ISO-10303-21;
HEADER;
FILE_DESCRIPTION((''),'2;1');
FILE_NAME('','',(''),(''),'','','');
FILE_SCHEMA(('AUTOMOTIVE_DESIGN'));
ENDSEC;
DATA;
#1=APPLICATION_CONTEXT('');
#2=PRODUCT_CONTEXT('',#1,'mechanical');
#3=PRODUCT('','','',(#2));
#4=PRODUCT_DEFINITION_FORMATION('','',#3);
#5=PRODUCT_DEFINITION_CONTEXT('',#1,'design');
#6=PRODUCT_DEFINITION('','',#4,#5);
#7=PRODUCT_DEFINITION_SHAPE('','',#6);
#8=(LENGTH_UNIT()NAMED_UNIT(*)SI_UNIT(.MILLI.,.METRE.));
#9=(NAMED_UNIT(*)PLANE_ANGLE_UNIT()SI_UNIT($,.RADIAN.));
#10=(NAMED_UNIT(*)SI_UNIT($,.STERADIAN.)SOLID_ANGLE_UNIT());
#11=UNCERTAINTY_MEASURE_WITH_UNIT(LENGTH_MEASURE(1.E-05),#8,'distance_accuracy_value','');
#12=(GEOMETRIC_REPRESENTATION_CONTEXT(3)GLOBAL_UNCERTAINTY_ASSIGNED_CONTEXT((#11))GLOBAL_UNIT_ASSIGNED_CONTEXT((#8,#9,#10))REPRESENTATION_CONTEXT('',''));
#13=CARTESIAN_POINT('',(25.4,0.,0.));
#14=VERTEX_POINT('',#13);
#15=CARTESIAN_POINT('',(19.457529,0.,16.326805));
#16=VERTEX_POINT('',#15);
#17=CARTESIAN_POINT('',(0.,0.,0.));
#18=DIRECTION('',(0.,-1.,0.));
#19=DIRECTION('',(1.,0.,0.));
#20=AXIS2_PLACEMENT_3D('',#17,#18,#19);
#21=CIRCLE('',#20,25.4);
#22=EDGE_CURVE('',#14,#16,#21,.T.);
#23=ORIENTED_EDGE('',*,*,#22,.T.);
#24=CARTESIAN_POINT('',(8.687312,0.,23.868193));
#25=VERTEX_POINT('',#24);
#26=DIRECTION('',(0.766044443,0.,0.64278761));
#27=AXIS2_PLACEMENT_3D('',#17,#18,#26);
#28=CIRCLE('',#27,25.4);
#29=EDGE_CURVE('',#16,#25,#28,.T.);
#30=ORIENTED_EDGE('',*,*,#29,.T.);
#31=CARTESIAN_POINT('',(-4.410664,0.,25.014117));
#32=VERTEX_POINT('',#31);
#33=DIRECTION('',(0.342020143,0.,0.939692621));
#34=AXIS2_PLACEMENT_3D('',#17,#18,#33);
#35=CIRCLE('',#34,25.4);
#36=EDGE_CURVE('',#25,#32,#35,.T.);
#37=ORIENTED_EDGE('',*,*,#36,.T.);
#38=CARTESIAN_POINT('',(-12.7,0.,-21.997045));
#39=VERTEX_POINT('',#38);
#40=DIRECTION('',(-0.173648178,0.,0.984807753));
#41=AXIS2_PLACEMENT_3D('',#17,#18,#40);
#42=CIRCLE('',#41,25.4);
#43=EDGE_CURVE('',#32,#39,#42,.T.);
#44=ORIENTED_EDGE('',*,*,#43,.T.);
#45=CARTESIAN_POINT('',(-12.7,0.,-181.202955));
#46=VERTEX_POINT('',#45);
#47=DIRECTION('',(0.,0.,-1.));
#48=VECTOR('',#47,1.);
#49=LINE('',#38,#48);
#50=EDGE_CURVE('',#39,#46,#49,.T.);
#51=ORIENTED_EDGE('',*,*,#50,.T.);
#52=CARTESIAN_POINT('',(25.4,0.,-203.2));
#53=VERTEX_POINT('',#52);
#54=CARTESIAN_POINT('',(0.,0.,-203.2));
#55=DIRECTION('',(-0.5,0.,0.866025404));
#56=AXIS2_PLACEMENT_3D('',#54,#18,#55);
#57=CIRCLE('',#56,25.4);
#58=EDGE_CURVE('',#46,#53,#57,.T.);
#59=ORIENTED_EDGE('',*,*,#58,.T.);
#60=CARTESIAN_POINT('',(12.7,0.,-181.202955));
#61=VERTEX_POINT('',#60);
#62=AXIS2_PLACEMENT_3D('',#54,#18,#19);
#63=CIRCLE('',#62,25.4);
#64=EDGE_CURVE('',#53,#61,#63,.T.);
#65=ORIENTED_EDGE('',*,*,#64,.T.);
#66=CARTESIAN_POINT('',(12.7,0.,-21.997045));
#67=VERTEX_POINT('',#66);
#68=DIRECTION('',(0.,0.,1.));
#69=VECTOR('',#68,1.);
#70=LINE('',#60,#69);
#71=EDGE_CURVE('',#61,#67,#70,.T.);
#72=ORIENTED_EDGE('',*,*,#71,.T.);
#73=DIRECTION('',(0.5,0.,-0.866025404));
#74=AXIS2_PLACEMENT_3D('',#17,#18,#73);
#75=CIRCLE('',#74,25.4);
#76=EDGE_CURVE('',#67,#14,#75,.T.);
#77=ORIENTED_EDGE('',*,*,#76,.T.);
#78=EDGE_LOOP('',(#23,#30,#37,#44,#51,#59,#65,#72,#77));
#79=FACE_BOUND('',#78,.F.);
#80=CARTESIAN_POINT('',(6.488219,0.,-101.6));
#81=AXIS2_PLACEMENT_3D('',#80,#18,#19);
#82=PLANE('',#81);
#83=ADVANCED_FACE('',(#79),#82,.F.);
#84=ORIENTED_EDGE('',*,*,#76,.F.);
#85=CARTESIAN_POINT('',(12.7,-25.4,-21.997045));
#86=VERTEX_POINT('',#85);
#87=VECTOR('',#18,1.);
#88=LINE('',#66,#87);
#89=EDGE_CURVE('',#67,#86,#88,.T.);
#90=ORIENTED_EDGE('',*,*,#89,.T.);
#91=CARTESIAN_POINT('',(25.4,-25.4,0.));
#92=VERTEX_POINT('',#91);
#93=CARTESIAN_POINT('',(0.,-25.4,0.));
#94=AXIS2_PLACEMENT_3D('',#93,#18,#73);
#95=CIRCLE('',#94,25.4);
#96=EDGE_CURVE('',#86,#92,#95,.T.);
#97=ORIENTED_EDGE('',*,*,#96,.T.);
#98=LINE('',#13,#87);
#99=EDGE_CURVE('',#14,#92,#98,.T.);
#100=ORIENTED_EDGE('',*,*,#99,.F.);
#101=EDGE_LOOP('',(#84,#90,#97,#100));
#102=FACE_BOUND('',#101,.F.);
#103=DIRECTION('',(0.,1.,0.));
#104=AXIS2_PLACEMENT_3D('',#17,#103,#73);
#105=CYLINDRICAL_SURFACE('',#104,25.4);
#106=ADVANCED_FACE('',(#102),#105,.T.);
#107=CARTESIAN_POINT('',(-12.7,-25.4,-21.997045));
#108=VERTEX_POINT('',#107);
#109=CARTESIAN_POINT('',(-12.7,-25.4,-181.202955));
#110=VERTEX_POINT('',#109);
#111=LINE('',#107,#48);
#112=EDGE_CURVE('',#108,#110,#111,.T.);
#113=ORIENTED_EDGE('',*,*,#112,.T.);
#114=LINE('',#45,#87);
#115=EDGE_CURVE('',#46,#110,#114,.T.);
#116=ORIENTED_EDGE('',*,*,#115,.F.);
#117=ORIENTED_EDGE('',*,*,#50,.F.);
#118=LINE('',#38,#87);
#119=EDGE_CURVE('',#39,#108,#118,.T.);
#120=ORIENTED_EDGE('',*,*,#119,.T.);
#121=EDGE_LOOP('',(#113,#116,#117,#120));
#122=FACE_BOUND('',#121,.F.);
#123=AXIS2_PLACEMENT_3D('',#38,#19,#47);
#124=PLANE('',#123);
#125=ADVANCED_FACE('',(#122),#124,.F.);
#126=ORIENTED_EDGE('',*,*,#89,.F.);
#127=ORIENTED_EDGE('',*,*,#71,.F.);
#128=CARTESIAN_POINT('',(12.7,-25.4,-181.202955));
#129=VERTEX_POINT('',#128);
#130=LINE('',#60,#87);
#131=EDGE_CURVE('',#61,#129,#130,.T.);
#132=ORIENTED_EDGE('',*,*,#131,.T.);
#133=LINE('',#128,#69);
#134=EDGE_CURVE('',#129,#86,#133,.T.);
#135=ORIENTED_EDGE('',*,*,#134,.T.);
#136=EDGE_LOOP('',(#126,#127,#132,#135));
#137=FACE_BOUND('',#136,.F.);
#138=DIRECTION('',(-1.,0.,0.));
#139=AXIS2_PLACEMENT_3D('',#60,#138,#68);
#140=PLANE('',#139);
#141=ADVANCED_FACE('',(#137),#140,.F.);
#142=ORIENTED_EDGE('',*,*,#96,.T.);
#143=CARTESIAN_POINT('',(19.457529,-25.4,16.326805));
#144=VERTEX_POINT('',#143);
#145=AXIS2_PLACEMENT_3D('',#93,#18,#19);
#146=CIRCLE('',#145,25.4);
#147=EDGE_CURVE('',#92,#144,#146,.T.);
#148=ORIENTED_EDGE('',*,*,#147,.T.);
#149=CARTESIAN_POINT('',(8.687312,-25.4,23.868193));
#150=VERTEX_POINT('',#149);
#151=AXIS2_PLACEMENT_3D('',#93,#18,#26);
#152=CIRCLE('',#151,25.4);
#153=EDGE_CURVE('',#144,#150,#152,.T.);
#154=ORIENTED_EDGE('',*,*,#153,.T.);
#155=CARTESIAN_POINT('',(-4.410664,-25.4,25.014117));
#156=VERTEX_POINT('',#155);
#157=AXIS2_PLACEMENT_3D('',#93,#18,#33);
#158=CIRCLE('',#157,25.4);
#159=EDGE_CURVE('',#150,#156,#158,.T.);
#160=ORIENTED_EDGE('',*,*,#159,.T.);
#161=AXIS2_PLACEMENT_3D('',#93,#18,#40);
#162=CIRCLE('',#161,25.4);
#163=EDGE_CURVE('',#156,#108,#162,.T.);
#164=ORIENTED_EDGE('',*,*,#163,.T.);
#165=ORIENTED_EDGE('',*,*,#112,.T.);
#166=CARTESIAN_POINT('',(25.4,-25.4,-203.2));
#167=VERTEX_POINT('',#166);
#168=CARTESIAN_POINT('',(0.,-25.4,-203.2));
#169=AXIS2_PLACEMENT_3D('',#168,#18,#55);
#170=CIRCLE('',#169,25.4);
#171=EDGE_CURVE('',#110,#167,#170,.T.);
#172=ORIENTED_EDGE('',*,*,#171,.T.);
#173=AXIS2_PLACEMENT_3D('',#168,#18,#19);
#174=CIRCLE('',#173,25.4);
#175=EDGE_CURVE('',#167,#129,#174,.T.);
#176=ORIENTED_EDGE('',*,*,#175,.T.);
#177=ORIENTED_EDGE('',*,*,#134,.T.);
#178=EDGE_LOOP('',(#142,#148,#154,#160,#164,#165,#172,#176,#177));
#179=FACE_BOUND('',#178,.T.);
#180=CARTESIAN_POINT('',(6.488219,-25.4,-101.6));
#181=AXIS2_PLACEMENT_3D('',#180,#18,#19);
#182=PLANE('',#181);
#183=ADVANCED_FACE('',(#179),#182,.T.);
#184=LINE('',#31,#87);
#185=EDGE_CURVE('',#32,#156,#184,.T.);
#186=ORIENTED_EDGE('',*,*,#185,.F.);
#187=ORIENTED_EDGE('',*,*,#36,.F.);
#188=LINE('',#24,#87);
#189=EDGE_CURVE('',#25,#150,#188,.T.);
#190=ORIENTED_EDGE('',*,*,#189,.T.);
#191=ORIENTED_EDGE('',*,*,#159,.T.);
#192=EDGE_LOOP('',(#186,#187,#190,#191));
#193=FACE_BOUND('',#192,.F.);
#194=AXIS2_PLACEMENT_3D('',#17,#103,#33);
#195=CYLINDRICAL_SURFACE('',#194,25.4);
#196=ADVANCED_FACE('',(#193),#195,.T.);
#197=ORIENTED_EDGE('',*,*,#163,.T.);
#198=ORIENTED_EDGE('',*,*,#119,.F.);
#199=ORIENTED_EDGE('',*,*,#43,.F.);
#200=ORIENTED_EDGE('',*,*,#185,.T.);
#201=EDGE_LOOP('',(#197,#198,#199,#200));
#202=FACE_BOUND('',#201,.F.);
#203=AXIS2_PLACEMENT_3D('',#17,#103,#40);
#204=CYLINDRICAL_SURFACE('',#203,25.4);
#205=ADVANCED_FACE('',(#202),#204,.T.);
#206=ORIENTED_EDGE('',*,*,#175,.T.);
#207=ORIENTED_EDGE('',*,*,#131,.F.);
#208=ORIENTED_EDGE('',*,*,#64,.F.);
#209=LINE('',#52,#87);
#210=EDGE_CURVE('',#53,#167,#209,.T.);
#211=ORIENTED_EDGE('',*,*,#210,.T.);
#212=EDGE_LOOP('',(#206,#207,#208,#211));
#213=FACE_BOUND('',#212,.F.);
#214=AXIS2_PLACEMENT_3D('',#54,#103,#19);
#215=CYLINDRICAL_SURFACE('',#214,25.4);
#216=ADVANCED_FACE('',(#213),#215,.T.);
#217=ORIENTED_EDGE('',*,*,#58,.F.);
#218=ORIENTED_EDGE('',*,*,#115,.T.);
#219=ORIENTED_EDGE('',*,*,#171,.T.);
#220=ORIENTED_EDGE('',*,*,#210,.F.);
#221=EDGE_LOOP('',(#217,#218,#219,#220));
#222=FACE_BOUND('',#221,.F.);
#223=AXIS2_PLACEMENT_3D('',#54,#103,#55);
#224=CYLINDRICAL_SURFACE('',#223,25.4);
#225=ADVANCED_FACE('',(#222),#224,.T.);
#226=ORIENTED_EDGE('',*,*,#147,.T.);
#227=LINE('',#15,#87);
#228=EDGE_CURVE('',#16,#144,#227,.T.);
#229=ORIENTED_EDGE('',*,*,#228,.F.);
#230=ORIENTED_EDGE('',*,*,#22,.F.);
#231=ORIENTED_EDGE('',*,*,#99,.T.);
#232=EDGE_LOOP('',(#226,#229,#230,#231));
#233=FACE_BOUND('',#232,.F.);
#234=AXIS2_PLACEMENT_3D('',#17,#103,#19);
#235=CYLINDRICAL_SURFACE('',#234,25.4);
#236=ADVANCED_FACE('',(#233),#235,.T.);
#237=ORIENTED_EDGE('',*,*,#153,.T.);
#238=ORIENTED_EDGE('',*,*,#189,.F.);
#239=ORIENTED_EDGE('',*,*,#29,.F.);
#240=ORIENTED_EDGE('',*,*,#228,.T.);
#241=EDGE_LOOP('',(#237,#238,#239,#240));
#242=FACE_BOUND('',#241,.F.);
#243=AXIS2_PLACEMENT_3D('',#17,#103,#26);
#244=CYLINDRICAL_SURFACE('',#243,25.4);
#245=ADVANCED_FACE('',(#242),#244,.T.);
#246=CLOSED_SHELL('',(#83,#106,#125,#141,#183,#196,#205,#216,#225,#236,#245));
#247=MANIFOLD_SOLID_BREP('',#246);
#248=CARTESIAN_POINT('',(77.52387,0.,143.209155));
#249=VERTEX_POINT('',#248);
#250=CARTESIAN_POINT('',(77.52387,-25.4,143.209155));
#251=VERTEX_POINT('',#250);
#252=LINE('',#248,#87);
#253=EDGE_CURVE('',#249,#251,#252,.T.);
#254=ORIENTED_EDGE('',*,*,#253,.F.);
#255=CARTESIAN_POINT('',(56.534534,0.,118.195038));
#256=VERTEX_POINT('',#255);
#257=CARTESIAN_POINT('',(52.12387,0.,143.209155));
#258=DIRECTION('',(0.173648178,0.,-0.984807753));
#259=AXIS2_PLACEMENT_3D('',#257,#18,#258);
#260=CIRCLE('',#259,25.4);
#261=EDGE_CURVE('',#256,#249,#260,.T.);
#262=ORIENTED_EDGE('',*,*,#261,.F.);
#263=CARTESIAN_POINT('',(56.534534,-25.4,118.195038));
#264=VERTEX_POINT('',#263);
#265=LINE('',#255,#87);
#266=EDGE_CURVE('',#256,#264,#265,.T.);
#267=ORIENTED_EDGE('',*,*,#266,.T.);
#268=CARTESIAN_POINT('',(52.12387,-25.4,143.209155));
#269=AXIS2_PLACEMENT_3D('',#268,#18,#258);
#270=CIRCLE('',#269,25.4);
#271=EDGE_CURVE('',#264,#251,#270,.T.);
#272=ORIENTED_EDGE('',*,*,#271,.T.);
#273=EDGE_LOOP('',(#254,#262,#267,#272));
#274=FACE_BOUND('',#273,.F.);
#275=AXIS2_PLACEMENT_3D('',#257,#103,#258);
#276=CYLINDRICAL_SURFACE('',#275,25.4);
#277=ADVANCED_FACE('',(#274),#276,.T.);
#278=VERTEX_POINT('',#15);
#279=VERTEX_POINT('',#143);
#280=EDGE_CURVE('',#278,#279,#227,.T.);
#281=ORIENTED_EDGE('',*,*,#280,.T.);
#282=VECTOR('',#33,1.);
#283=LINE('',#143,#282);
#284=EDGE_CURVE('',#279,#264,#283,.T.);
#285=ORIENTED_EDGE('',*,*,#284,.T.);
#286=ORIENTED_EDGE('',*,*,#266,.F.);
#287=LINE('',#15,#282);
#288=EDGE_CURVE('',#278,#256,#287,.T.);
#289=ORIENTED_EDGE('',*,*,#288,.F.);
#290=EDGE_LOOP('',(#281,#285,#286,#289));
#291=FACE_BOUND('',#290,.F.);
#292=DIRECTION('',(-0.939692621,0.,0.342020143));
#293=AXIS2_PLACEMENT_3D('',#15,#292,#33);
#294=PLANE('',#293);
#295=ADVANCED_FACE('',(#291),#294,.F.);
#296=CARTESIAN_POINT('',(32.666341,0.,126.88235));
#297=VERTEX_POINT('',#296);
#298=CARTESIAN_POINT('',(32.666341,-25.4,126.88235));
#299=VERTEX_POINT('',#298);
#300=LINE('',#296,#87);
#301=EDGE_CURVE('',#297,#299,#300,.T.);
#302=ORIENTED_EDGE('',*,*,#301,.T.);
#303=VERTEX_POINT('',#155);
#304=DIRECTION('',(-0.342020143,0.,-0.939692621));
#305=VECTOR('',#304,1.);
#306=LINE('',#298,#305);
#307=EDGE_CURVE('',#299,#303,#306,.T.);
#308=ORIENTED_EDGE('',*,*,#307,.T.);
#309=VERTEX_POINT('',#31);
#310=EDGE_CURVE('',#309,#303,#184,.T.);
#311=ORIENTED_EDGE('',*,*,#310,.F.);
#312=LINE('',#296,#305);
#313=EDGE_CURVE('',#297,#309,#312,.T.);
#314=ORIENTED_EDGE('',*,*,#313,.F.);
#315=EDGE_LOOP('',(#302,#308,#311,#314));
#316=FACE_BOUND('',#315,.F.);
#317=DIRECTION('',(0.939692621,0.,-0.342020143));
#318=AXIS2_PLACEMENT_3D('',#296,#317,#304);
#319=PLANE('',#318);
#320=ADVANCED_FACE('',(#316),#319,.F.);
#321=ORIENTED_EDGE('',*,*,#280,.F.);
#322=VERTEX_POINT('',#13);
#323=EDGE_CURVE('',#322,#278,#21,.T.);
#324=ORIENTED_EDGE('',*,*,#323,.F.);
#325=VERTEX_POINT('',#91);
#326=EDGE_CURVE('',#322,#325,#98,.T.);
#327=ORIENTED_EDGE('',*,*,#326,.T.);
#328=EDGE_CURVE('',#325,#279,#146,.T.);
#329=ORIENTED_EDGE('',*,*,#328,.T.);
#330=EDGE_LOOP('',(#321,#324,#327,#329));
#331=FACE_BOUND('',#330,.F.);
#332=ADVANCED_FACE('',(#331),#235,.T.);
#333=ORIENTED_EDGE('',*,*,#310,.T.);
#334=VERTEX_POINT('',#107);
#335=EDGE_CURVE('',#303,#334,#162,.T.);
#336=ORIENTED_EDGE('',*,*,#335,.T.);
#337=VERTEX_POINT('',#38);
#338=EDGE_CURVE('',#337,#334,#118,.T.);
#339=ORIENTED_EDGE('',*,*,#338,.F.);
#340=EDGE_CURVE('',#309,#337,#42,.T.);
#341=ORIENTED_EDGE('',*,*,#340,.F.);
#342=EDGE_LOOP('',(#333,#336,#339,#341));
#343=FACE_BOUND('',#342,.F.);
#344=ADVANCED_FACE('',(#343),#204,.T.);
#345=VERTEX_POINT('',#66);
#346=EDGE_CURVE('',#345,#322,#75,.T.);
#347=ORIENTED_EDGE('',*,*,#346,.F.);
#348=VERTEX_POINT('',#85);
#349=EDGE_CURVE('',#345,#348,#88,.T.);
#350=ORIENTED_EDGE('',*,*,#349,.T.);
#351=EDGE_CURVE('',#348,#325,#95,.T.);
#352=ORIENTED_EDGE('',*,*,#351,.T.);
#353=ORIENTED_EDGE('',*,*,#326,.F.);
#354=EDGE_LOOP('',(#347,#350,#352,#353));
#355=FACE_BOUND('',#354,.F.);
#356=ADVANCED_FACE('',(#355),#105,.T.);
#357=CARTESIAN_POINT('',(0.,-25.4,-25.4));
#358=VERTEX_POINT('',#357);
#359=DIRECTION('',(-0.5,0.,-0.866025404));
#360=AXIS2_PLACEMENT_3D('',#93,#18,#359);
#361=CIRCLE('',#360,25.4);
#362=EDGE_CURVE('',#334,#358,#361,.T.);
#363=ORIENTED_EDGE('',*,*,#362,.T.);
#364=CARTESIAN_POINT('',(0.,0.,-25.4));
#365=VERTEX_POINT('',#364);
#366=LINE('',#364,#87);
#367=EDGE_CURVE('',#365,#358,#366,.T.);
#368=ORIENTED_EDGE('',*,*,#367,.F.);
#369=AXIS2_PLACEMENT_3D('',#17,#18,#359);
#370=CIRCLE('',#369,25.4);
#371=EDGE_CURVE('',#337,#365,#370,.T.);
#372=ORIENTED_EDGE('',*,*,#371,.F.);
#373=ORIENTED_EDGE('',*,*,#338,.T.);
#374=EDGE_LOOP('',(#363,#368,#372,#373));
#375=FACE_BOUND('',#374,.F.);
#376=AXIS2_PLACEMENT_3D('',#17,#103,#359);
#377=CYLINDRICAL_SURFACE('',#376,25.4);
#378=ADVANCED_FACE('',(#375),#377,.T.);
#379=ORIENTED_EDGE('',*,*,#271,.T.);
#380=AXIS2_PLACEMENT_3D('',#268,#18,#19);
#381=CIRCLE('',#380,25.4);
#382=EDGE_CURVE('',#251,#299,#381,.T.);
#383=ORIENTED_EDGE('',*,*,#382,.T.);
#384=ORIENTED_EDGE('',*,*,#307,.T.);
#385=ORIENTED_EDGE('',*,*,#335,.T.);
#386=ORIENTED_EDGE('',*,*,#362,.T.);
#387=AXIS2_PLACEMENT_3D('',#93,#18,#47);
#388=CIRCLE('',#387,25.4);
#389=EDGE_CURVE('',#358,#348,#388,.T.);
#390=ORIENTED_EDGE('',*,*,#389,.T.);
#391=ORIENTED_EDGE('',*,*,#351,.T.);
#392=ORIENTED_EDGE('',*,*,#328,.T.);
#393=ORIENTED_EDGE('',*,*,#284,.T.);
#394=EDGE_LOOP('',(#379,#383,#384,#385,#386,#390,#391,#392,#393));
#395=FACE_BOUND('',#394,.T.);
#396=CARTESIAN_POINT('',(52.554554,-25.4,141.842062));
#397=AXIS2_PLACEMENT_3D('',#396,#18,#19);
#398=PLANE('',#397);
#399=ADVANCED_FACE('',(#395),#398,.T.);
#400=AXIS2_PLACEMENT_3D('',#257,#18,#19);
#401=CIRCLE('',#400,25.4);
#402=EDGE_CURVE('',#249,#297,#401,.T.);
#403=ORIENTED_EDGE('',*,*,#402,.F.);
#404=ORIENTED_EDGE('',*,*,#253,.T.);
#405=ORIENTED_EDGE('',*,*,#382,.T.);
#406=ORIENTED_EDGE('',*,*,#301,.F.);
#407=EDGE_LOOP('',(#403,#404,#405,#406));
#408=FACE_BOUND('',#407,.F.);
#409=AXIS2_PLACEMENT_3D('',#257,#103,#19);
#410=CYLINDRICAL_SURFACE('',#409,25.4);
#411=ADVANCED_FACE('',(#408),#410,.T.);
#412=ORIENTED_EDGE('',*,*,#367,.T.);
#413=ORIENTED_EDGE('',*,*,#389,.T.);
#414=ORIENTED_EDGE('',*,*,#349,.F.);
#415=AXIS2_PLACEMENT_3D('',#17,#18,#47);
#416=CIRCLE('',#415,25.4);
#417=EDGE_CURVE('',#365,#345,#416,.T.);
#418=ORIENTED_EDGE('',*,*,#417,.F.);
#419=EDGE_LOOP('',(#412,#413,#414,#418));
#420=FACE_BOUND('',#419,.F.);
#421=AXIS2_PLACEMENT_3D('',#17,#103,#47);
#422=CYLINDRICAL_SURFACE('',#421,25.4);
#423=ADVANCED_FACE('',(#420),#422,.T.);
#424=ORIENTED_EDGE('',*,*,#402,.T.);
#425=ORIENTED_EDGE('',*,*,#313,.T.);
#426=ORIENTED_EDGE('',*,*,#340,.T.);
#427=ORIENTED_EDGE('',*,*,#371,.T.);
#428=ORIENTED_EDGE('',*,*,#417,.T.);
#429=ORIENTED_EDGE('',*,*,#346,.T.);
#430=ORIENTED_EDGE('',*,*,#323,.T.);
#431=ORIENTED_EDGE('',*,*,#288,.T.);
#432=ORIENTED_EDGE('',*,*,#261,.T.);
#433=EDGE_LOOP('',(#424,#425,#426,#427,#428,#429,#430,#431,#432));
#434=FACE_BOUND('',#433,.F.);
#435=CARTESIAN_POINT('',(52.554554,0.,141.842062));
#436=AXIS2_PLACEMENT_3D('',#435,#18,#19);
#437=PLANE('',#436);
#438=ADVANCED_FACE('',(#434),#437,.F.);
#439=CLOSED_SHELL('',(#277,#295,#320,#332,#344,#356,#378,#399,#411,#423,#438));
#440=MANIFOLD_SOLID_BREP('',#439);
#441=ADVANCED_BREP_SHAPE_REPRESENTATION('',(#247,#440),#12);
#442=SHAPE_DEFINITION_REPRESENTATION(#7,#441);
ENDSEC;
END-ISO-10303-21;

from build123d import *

# Parameters (mm, degrees)
F1_DEPTH = 25.4
F2_DEPTH = 25.4


with BuildPart() as f1:
    # F0 (on Front) → F1 (new body)
    with BuildSketch(Plane.XZ):
        with BuildLine():
            Line((12.7, -181.2029547439), (12.7, -21.9970452561))
            ThreePointArc((12.7, -21.9970452561), (6.5740037456, -24.5345159877), (0, -25.4))
            Line((0, -25.4), (0, -177.8))
            ThreePointArc((0, -177.8), (6.5740037456, -178.6654840123), (12.7, -181.2029547439))
        make_face()
        with BuildLine():
            ThreePointArc((25.4, -203.2), (21.9970452561, -190.5), (12.7, -181.2029547439))
            ThreePointArc((12.7, -181.2029547439), (6.5740037456, -178.6654840123), (0, -177.8))
            ThreePointArc((0, -177.8), (-6.5740037456, -178.6654840123), (-12.7, -181.2029547439))
            ThreePointArc((-12.7, -181.2029547439), (-12.7, -225.1970452561), (25.4, -203.2))
        make_face()
        with BuildLine():
            Line((0, -177.8), (0, -25.4))
            ThreePointArc((0, -25.4), (-6.5740037456, -24.5345159877), (-12.7, -21.9970452561))
            Line((-12.7, -21.9970452561), (-12.7, -181.2029547439))
            ThreePointArc((-12.7, -181.2029547439), (-6.5740037456, -178.6654840123), (0, -177.8))
        make_face()
        with BuildLine():
            Line((12.7, -2.239352655), (19.4575288552, 16.326805286))
            ThreePointArc((19.4575288552, 16.326805286), (14.5688414833, 20.8064619249), (8.6873116405, 23.868192568))
            Line((8.6873116405, 23.868192568), (0, 0))
            Line((0, 0), (0, -25.4))
            ThreePointArc((0, -25.4), (6.5740037456, -24.5345159877), (12.7, -21.9970452561))
            Line((12.7, -21.9970452561), (12.7, -2.239352655))
        make_face()
        with BuildLine():
            Line((0, 0), (8.6873116405, 23.868192568))
            ThreePointArc((8.6873116405, 23.868192568), (2.2137558658, 25.3033453315), (-4.4106637127, 25.0141169265))
            ThreePointArc((-4.4106637127, 25.0141169265), (-25.0141169265, 4.4106637127), (-12.7, -21.9970452561))
            ThreePointArc((-12.7, -21.9970452561), (-6.5740037456, -24.5345159877), (0, -25.4))
            Line((0, -25.4), (0, 0))
        make_face()
        with BuildLine():
            ThreePointArc((12.7, -21.9970452561), (21.9970452561, -12.7), (25.4, 0))
            ThreePointArc((25.4, 0), (23.868192568, 8.6873116405), (19.4575288552, 16.326805286))
            Line((19.4575288552, 16.326805286), (12.7, -2.239352655))
            Line((12.7, -2.239352655), (12.7, -21.9970452561))
        make_face()
    extrude(amount=F1_DEPTH)


with BuildPart() as f2:
    # F0 (on Front) → F2 (new body)
    with BuildSketch(Plane.XZ):
        with BuildLine():
            ThreePointArc((43.4365582024, 119.3409628398), (49.910113977, 117.9058100762), (56.5345335556, 118.1950384813))
            ThreePointArc((56.5345335556, 118.1950384813), (71.5813986981, 126.8823501217), (77.5238698428, 143.2091554078))
            ThreePointArc((77.5238698428, 143.2091554078), (43.4365582024, 167.0773479757), (32.6663409876, 126.8823501217))
            ThreePointArc((32.6663409876, 126.8823501217), (37.5550283595, 122.4026934828), (43.4365582024, 119.3409628398))
        make_face()
        with BuildLine():
            ThreePointArc((8.6873116405, 23.868192568), (14.5688414833, 20.8064619249), (19.4575288552, 16.326805286))
            Line((19.4575288552, 16.326805286), (56.5345335556, 118.1950384813))
            ThreePointArc((56.5345335556, 118.1950384813), (49.910113977, 117.9058100762), (43.4365582024, 119.3409628398))
            Line((43.4365582024, 119.3409628398), (8.6873116405, 23.868192568))
        make_face()
        with BuildLine():
            ThreePointArc((-4.4106637127, 25.0141169265), (2.2137558658, 25.3033453315), (8.6873116405, 23.868192568))
            Line((8.6873116405, 23.868192568), (43.4365582024, 119.3409628398))
            ThreePointArc((43.4365582024, 119.3409628398), (37.5550283595, 122.4026934828), (32.6663409876, 126.8823501217))
            Line((32.6663409876, 126.8823501217), (-4.4106637127, 25.0141169265))
        make_face()
        with BuildLine():
            ThreePointArc((12.7, -21.9970452561), (21.9970452561, -12.7), (25.4, 0))
            ThreePointArc((25.4, 0), (23.868192568, 8.6873116405), (19.4575288552, 16.326805286))
            Line((19.4575288552, 16.326805286), (12.7, -2.239352655))
            Line((12.7, -2.239352655), (12.7, -21.9970452561))
        make_face()
        with BuildLine():
            Line((12.7, -2.239352655), (19.4575288552, 16.326805286))
            ThreePointArc((19.4575288552, 16.326805286), (14.5688414833, 20.8064619249), (8.6873116405, 23.868192568))
            Line((8.6873116405, 23.868192568), (0, 0))
            Line((0, 0), (0, -25.4))
            ThreePointArc((0, -25.4), (6.5740037456, -24.5345159877), (12.7, -21.9970452561))
            Line((12.7, -21.9970452561), (12.7, -2.239352655))
        make_face()
        with BuildLine():
            Line((0, 0), (8.6873116405, 23.868192568))
            ThreePointArc((8.6873116405, 23.868192568), (2.2137558658, 25.3033453315), (-4.4106637127, 25.0141169265))
            ThreePointArc((-4.4106637127, 25.0141169265), (-25.0141169265, 4.4106637127), (-12.7, -21.9970452561))
            ThreePointArc((-12.7, -21.9970452561), (-6.5740037456, -24.5345159877), (0, -25.4))
            Line((0, -25.4), (0, 0))
        make_face()
    extrude(amount=F2_DEPTH)


solid = Compound([f1.part, f2.part])
